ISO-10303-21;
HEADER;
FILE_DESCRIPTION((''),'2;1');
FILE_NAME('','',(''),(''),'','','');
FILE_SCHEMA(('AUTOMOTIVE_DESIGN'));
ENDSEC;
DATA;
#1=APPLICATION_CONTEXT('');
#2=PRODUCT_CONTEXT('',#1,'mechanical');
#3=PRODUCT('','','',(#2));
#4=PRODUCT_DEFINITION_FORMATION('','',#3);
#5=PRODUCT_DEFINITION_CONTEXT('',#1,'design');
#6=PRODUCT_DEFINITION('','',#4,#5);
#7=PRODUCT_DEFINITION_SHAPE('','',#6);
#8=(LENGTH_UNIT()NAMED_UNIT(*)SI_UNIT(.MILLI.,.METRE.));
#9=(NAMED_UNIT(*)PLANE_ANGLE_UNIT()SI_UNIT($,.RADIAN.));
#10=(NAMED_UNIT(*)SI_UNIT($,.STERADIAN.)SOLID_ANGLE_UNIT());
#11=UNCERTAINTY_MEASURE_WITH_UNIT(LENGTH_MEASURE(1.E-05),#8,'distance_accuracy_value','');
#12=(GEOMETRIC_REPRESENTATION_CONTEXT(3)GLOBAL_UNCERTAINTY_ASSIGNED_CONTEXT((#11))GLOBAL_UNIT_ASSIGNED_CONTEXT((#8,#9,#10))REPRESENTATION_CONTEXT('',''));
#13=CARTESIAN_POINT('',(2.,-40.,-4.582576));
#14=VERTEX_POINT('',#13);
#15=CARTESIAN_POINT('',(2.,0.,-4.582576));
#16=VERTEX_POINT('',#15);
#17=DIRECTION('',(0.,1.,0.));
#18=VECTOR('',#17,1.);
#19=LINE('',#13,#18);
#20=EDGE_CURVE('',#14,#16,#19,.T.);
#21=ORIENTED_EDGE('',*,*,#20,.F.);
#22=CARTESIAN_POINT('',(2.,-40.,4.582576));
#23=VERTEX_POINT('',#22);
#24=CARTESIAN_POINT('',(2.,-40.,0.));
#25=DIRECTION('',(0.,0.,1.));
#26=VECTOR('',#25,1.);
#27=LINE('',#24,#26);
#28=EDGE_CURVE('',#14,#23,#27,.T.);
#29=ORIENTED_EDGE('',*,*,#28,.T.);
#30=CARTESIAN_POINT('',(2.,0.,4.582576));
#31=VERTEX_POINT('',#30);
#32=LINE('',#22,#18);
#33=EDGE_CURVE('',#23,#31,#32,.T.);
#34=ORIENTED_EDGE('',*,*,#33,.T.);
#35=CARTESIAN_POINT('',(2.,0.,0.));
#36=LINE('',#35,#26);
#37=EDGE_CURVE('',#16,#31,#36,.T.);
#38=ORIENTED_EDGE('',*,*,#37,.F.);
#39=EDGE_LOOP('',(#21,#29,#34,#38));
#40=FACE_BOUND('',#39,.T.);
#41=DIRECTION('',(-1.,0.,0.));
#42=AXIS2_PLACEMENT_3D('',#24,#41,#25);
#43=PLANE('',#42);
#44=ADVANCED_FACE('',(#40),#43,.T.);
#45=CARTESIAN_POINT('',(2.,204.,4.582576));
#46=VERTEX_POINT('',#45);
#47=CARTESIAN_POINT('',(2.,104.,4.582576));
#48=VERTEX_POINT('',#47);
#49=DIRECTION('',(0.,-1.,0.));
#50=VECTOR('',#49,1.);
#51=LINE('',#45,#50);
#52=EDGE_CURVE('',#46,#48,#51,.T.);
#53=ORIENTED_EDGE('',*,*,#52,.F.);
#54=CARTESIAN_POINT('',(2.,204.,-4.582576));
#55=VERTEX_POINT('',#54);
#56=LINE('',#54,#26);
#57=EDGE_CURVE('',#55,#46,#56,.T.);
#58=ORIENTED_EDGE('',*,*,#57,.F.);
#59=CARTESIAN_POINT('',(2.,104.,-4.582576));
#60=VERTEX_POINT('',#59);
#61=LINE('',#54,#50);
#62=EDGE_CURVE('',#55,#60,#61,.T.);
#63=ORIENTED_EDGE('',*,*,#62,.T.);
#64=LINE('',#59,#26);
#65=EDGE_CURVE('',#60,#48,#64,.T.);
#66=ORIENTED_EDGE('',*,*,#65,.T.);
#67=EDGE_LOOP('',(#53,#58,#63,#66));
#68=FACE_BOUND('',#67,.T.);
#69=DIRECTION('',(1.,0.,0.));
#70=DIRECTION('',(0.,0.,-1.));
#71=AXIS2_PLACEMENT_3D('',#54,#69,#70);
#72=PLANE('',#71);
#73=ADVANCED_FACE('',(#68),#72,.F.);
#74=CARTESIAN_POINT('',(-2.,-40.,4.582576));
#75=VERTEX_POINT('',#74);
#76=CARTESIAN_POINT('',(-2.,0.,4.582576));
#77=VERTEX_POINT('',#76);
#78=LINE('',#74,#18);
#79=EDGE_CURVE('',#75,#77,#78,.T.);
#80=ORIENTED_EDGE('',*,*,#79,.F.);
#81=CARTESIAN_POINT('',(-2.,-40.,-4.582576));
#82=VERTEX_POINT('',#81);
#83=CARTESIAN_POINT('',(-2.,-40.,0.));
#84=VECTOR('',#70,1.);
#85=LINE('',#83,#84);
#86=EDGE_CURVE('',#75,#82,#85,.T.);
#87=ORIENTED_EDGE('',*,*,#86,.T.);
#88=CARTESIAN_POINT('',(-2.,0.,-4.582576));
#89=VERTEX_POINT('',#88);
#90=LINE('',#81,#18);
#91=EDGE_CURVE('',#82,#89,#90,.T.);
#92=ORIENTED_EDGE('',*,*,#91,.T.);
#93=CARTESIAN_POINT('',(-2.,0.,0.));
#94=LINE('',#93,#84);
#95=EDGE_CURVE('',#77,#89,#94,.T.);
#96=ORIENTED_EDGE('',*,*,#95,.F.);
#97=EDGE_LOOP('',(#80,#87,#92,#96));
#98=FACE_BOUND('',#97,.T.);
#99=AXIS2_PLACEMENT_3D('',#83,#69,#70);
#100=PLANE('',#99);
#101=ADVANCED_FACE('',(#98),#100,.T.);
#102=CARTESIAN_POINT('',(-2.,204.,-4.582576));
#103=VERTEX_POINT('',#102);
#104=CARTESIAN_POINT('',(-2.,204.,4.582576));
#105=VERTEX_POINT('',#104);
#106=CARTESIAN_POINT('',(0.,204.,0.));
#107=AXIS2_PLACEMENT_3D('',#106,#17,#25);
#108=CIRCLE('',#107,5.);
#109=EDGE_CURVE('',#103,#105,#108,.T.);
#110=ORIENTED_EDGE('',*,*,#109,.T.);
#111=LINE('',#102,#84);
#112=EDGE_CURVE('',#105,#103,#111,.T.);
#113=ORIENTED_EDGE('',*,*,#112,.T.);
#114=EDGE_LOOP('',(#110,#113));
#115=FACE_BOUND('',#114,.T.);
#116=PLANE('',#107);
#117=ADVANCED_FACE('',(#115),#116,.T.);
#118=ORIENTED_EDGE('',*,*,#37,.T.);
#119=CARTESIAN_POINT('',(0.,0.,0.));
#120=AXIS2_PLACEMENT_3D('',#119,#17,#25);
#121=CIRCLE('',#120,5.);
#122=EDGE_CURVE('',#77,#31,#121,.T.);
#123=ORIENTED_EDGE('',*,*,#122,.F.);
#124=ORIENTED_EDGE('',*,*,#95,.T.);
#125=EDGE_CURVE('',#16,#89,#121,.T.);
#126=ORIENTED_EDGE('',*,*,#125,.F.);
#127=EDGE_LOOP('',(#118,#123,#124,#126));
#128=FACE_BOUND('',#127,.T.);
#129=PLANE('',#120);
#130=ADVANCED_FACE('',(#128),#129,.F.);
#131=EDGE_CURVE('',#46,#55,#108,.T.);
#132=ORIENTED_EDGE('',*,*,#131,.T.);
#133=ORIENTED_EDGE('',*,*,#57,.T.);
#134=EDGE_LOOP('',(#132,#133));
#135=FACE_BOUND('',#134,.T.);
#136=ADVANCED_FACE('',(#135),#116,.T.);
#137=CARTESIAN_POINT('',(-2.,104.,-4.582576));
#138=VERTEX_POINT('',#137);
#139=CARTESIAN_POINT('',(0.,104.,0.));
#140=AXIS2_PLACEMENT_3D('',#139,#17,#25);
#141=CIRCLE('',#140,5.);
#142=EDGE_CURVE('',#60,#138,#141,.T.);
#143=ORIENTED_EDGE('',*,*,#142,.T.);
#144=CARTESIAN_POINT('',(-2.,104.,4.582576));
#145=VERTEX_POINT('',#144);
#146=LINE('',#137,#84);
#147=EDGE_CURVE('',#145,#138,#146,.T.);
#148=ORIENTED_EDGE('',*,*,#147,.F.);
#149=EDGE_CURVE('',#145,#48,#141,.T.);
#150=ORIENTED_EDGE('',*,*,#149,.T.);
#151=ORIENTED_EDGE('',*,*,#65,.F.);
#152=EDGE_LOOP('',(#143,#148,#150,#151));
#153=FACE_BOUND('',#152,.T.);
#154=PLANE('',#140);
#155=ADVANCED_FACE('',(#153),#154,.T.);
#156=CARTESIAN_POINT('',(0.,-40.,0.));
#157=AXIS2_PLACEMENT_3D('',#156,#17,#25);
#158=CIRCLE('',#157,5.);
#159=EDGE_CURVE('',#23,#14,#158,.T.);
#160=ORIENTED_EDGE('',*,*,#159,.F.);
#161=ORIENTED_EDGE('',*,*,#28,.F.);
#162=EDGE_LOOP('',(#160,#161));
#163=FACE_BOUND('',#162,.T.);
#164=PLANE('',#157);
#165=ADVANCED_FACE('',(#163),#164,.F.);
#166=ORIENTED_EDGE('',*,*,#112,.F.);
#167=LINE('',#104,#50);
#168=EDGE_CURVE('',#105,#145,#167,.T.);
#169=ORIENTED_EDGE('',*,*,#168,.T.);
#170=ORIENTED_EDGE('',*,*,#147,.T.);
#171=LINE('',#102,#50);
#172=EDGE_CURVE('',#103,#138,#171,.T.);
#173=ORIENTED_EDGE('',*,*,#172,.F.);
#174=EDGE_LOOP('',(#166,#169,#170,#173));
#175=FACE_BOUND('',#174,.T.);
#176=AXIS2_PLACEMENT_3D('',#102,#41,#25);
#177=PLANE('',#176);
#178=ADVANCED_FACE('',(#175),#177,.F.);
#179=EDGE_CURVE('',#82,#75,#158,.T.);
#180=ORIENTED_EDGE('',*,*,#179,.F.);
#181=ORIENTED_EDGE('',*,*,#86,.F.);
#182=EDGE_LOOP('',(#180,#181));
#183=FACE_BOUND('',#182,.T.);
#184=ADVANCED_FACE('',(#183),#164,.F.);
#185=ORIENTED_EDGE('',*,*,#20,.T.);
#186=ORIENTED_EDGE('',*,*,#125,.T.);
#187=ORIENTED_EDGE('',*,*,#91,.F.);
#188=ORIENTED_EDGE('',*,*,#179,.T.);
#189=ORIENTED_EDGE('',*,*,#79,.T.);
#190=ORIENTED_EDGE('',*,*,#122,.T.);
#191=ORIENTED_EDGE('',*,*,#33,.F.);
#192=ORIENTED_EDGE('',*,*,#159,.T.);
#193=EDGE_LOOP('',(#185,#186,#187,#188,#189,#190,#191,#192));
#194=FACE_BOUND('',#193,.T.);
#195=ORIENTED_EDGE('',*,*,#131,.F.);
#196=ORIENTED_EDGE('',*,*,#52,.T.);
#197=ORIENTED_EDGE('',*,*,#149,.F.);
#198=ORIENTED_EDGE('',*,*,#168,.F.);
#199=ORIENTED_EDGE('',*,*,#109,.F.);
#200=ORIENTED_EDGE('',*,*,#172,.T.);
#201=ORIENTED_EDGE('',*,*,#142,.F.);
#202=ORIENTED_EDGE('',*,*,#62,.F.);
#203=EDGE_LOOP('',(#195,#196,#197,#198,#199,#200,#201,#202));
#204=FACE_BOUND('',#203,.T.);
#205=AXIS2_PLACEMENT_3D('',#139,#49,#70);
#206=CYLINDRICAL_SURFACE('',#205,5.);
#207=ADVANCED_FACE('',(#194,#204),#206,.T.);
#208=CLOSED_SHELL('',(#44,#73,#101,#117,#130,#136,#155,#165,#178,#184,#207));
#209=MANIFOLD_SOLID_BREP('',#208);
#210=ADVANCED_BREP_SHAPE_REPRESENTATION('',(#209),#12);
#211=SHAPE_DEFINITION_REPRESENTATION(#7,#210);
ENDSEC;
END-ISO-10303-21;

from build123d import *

# Parameters (mm, degrees)
SKETCH1_R           = 5
BOSS_EXTRUDE1_DEPTH = 104
BOSS_EXTRUDE2_DEPTH = 100
BOSS_EXTRUDE3_START = -104
BOSS_EXTRUDE3_DEPTH = 40


with BuildPart() as part:
    # Sketch1 → Boss-Extrude1 (new body)
    with BuildSketch(Plane(origin=(0, 0, 0), x_dir=(1, 0, 0), z_dir=(0, 1, 0))):
        Circle(SKETCH1_R)
    extrude(amount=BOSS_EXTRUDE1_DEPTH)

    # Sketch2 → Boss-Extrude2 (add)
    with BuildSketch(Plane(origin=(0, 104, 0), x_dir=(1, 0, 0), z_dir=(0, 1, 0))):
        with BuildLine():
            Line((-2, 4.582576), (-2, -4.582576))
            ThreePointArc((-2, -4.582576), (-5, 0), (-2, 4.582576))
        make_face()
        with BuildLine():
            Line((2, 4.582576), (2, -4.582576))
            ThreePointArc((2, -4.582576), (5, 0), (2, 4.582576))
        make_face()
    extrude(amount=BOSS_EXTRUDE2_DEPTH)

    # Sketch2<2> → Boss-Extrude3 (add)
    with BuildSketch(Plane(origin=(0, 104, 0), x_dir=(1, 0, 0), z_dir=(0, 1, 0)).offset(BOSS_EXTRUDE3_START)):
        with BuildLine():
            Line((-2, 4.582576), (-2, -4.582576))
            ThreePointArc((-2, -4.582576), (-5, 0), (-2, 4.582576))
        make_face()
        with BuildLine():
            Line((2, 4.582576), (2, -4.582576))
            ThreePointArc((2, -4.582576), (5, 0), (2, 4.582576))
        make_face()
    extrude(amount=-BOSS_EXTRUDE3_DEPTH)


solid = part.part
